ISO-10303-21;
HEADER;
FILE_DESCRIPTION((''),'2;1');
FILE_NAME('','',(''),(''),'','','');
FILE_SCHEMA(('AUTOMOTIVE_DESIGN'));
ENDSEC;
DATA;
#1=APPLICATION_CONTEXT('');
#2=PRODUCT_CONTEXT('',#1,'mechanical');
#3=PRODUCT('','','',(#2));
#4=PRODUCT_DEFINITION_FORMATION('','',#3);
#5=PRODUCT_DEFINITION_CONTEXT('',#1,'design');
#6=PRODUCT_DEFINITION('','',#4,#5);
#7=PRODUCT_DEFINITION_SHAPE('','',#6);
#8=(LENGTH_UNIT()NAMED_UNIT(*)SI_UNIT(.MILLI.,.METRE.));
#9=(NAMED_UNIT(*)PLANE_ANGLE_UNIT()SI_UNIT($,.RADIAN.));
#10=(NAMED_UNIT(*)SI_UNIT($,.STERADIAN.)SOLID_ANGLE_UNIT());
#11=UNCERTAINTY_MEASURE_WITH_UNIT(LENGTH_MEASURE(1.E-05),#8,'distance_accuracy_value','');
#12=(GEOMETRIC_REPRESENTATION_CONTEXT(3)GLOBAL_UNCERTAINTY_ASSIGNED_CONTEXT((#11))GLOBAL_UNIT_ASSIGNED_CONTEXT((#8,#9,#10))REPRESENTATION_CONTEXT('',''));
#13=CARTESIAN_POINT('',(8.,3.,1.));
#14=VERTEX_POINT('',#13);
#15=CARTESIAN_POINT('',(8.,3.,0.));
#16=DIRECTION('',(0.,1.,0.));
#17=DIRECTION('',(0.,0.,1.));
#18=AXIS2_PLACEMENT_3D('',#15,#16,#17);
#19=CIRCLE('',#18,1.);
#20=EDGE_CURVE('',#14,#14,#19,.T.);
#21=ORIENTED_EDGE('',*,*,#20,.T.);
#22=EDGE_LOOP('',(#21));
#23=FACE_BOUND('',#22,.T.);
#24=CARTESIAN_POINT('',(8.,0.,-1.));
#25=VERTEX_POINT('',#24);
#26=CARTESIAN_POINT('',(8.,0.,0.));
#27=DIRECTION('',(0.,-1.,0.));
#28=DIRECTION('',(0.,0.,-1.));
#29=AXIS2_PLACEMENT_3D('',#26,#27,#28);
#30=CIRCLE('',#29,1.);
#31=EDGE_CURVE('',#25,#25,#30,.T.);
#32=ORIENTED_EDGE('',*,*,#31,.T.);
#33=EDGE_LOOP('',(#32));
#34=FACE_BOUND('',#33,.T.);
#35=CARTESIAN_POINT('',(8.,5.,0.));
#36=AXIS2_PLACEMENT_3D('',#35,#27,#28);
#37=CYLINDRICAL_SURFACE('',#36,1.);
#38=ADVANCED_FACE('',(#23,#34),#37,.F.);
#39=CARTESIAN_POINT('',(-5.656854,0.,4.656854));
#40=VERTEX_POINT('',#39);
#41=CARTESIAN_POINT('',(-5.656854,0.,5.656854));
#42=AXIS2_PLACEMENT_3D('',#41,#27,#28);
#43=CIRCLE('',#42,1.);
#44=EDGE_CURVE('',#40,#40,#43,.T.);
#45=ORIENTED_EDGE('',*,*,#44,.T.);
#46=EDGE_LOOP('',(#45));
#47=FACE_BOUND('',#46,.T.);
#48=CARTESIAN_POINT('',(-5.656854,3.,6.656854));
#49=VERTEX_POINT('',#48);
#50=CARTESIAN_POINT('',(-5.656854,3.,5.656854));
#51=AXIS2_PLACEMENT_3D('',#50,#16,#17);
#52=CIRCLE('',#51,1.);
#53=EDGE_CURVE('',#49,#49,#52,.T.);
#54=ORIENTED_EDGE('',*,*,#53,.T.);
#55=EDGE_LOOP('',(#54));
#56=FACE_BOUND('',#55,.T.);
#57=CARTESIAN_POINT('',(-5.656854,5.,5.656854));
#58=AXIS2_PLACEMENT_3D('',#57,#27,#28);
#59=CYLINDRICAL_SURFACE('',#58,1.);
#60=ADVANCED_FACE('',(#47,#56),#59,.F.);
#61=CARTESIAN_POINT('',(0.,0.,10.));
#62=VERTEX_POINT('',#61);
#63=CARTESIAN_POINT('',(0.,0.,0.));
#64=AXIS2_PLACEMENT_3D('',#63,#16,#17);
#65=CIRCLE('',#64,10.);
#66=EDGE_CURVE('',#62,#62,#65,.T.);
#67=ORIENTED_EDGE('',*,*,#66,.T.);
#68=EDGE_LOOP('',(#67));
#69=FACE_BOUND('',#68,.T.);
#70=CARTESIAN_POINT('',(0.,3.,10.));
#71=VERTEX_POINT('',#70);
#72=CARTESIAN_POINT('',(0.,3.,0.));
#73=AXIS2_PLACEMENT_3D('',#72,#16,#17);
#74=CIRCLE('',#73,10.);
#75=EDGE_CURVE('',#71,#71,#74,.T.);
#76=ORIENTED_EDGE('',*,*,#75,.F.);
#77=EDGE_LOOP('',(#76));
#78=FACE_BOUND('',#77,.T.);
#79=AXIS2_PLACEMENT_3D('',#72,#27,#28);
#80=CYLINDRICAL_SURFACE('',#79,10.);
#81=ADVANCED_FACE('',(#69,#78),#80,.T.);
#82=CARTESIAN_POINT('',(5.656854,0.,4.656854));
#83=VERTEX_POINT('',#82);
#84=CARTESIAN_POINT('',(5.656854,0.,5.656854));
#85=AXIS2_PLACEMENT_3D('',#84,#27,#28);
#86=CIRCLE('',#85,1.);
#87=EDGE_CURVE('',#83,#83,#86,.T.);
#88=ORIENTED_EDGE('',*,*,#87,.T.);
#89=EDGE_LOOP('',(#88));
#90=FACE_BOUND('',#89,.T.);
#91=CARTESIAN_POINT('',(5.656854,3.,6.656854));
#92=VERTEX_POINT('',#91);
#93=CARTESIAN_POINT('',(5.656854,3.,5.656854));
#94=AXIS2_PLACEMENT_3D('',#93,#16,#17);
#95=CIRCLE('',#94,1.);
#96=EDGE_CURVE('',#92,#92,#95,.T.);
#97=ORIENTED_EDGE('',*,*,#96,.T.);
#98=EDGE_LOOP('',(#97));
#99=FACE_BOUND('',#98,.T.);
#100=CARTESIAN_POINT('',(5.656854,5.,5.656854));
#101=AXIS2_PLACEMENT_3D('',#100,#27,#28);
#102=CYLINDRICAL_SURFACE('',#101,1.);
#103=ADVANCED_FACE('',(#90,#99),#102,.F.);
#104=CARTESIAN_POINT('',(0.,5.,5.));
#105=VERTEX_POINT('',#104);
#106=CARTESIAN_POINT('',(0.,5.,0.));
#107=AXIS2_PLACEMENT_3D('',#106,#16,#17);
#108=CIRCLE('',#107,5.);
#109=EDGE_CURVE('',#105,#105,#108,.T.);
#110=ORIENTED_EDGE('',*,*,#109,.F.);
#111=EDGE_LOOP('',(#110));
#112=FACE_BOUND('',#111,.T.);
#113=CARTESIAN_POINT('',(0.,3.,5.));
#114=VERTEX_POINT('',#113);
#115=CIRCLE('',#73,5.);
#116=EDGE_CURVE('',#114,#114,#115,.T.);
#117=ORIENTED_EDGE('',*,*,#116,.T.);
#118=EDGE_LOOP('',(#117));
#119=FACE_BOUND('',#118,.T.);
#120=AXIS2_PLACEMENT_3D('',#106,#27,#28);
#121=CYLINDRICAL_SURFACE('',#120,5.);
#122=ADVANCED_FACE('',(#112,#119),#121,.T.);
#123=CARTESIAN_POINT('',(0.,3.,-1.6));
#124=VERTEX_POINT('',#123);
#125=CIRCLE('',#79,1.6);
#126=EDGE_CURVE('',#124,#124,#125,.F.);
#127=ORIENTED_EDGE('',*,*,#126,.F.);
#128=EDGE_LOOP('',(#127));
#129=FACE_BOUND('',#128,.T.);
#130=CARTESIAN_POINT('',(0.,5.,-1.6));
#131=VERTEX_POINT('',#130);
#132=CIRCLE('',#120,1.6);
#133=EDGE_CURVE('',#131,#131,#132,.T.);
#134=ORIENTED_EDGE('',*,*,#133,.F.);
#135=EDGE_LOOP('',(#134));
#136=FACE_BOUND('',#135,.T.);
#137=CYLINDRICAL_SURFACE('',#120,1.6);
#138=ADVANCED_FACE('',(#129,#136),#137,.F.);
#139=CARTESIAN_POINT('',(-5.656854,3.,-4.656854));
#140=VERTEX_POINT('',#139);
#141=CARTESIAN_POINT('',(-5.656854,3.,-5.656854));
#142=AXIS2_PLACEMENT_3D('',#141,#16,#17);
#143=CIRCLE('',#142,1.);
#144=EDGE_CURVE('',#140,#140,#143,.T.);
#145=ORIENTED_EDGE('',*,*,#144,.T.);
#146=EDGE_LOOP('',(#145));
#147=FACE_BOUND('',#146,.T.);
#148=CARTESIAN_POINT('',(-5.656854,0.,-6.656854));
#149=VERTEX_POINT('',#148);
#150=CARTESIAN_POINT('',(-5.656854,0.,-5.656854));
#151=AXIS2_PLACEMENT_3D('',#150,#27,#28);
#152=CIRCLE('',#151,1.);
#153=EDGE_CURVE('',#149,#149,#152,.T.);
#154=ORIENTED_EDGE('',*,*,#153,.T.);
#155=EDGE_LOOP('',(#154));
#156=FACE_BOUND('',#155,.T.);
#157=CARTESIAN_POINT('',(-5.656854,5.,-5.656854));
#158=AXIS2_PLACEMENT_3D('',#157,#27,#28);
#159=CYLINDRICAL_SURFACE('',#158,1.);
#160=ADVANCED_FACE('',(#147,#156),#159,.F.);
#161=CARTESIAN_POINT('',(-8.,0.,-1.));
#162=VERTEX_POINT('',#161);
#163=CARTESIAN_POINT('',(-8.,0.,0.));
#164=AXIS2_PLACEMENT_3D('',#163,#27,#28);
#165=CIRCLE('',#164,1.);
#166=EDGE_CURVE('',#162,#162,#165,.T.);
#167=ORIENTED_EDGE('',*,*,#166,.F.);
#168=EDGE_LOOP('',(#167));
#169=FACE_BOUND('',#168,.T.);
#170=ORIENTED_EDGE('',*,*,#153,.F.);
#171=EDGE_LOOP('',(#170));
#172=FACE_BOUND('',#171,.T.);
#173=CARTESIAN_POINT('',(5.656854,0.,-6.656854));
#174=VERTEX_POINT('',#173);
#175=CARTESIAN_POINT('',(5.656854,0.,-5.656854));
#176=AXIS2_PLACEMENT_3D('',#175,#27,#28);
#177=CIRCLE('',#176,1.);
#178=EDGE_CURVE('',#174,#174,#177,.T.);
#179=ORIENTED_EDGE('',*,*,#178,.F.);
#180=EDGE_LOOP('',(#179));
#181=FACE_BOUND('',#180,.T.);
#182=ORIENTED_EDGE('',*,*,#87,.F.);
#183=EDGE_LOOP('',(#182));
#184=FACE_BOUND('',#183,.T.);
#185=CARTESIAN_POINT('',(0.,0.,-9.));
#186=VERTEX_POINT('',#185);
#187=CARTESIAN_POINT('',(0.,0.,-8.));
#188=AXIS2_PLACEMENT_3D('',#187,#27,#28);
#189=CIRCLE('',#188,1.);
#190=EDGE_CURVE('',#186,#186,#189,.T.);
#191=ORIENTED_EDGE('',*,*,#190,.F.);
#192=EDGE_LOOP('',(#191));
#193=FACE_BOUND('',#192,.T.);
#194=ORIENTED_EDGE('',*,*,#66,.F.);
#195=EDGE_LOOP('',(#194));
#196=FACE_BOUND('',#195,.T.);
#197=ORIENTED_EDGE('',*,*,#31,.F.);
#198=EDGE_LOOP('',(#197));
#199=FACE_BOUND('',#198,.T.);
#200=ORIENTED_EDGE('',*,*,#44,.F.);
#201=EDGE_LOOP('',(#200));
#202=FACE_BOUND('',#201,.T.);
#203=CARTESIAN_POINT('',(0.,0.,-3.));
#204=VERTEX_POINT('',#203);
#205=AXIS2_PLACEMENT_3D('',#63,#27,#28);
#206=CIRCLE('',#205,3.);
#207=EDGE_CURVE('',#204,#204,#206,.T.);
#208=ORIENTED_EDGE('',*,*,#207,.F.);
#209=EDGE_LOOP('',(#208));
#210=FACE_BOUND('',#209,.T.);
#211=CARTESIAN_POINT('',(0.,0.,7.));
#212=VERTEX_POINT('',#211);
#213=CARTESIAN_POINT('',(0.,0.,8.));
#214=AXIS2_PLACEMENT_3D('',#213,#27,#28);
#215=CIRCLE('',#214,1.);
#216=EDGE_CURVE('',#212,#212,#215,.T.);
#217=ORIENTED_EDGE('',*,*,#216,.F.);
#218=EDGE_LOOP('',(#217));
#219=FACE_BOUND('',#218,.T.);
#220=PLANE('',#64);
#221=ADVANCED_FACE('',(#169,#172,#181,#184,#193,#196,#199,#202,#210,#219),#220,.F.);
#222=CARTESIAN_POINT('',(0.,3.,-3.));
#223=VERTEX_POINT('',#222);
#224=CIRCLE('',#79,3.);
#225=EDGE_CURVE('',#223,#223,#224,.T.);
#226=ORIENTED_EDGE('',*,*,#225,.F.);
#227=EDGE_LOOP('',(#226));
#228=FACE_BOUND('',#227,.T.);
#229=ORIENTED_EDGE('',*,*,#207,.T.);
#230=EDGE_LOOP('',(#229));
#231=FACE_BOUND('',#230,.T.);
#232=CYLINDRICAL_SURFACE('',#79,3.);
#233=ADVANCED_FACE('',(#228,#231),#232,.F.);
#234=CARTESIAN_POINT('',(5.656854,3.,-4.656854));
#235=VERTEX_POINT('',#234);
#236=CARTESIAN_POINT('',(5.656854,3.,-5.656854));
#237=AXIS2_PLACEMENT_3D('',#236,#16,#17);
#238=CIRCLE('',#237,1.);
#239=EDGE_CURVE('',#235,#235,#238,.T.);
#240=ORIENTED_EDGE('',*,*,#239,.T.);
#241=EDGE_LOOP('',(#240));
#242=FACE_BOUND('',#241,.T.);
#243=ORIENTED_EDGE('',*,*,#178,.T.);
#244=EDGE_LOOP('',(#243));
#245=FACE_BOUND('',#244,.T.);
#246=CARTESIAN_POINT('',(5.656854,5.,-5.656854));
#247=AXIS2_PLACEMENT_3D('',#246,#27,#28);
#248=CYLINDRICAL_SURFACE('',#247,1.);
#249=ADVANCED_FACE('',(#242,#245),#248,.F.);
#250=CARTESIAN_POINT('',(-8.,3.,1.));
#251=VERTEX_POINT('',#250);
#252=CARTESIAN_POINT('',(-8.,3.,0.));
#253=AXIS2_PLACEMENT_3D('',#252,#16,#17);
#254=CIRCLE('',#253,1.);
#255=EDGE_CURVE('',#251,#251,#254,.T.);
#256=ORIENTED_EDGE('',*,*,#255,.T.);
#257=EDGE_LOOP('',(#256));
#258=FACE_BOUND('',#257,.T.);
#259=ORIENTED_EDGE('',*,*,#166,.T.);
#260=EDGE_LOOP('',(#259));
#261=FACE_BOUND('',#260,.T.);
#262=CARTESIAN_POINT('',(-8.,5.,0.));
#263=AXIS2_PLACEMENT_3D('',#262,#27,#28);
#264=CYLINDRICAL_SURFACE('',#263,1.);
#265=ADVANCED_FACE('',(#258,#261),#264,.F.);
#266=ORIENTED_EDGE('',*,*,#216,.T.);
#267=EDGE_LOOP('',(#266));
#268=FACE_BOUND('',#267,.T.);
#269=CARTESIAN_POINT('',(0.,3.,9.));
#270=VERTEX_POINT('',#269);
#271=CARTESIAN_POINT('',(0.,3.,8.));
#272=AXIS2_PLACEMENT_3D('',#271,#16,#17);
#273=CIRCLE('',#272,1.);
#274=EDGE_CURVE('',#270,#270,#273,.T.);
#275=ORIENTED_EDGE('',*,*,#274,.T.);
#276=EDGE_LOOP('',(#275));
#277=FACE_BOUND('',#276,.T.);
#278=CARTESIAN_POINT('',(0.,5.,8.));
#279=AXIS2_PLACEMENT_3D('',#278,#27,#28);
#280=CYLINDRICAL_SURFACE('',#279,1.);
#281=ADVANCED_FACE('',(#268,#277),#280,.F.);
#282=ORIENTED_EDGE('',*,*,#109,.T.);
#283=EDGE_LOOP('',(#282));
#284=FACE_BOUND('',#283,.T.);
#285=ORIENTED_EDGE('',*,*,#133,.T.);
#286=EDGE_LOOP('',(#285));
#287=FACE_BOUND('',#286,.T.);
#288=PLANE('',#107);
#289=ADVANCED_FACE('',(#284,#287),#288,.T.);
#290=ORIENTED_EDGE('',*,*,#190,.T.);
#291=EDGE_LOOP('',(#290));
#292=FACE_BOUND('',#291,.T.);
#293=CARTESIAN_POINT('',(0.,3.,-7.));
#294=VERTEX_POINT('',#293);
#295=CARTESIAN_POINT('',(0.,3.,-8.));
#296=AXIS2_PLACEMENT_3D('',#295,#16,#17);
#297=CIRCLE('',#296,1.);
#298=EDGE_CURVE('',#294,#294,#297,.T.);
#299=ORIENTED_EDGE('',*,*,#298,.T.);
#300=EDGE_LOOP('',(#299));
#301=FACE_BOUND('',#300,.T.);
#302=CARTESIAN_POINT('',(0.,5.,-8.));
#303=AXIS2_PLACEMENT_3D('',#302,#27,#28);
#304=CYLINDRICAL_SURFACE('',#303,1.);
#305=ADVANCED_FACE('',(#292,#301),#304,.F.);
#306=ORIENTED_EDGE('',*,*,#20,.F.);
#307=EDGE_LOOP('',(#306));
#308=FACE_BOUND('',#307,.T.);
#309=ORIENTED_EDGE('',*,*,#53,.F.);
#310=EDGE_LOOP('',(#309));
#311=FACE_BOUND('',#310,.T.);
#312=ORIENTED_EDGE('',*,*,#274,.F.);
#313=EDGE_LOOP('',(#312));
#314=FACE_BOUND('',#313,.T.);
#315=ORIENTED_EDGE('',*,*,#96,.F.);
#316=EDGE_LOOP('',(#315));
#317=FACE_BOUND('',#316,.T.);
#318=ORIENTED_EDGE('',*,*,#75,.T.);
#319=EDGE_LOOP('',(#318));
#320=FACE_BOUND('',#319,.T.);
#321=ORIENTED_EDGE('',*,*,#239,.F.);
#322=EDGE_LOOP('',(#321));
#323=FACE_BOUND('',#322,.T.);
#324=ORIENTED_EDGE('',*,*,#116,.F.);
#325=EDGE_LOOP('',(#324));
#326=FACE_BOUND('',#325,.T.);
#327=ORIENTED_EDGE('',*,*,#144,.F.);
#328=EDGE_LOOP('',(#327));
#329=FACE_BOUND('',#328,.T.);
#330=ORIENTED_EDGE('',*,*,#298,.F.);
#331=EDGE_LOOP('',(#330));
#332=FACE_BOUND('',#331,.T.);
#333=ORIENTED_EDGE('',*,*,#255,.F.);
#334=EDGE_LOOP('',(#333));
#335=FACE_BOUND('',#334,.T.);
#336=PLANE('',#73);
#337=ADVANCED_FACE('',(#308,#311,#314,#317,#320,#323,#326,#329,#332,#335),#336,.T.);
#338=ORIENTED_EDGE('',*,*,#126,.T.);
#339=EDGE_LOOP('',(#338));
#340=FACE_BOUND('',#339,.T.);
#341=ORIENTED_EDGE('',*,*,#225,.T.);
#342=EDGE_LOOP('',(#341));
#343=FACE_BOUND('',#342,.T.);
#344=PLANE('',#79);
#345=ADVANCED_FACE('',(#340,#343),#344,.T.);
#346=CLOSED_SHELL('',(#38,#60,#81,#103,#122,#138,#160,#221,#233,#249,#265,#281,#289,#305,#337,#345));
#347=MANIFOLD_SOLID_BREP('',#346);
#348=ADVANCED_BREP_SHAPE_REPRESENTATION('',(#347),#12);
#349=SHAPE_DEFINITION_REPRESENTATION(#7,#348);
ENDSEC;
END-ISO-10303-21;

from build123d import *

# Parameters (mm, degrees)
SKETCH_1_R          = 10
EXTRUDE_1_DEPTH     = 3
SKETCH_2_R          = 5
EXTRUDE_2_DEPTH     = 2
SKETCH_3_R          = 1.6
SKETCH_3_R_2        = 1
CUT_EXTRUDE_1_DEPTH = 6
SKETCH_4_R          = 3
CUT_EXTRUDE_2_DEPTH = 3


with BuildPart() as part:
    # 草图1 → 凸台-拉伸1 (new body)
    with BuildSketch(Plane(origin=(0, 0, 0), x_dir=(1, 0, 0), z_dir=(0, 1, 0))):
        Circle(SKETCH_1_R)
    extrude(amount=EXTRUDE_1_DEPTH)

    # 草图2 → 凸台-拉伸2 (add)
    with BuildSketch(Plane(origin=(0, 3, 0), x_dir=(1, 0, 0), z_dir=(0, 1, 0))):
        Circle(SKETCH_2_R)
    extrude(amount=EXTRUDE_2_DEPTH)

    # 草图3 → 切除-拉伸1 (cut, through all)
    with BuildSketch(Plane.XZ):
        Circle(SKETCH_3_R)
        with Locations((0, 8)):
            Circle(SKETCH_3_R_2)
        with Locations((5.656854249, 5.656854249)):
            Circle(SKETCH_3_R_2)
        with Locations((8, 0)):
            Circle(SKETCH_3_R_2)
        with Locations((5.656854249, -5.656854249)):
            Circle(SKETCH_3_R_2)
        with Locations((0, -8)):
            Circle(SKETCH_3_R_2)
        with Locations((-5.656854249, -5.656854249)):
            Circle(SKETCH_3_R_2)
        with Locations((-8, 0)):
            Circle(SKETCH_3_R_2)
        with Locations((-5.656854249, 5.656854249)):
            Circle(SKETCH_3_R_2)
    extrude(amount=-CUT_EXTRUDE_1_DEPTH, mode=Mode.SUBTRACT)

    # 草图4 → 切除-拉伸2 (cut)
    with BuildSketch(Plane.XZ):
        Circle(SKETCH_4_R)
    extrude(amount=-CUT_EXTRUDE_2_DEPTH, mode=Mode.SUBTRACT)


solid = part.part
